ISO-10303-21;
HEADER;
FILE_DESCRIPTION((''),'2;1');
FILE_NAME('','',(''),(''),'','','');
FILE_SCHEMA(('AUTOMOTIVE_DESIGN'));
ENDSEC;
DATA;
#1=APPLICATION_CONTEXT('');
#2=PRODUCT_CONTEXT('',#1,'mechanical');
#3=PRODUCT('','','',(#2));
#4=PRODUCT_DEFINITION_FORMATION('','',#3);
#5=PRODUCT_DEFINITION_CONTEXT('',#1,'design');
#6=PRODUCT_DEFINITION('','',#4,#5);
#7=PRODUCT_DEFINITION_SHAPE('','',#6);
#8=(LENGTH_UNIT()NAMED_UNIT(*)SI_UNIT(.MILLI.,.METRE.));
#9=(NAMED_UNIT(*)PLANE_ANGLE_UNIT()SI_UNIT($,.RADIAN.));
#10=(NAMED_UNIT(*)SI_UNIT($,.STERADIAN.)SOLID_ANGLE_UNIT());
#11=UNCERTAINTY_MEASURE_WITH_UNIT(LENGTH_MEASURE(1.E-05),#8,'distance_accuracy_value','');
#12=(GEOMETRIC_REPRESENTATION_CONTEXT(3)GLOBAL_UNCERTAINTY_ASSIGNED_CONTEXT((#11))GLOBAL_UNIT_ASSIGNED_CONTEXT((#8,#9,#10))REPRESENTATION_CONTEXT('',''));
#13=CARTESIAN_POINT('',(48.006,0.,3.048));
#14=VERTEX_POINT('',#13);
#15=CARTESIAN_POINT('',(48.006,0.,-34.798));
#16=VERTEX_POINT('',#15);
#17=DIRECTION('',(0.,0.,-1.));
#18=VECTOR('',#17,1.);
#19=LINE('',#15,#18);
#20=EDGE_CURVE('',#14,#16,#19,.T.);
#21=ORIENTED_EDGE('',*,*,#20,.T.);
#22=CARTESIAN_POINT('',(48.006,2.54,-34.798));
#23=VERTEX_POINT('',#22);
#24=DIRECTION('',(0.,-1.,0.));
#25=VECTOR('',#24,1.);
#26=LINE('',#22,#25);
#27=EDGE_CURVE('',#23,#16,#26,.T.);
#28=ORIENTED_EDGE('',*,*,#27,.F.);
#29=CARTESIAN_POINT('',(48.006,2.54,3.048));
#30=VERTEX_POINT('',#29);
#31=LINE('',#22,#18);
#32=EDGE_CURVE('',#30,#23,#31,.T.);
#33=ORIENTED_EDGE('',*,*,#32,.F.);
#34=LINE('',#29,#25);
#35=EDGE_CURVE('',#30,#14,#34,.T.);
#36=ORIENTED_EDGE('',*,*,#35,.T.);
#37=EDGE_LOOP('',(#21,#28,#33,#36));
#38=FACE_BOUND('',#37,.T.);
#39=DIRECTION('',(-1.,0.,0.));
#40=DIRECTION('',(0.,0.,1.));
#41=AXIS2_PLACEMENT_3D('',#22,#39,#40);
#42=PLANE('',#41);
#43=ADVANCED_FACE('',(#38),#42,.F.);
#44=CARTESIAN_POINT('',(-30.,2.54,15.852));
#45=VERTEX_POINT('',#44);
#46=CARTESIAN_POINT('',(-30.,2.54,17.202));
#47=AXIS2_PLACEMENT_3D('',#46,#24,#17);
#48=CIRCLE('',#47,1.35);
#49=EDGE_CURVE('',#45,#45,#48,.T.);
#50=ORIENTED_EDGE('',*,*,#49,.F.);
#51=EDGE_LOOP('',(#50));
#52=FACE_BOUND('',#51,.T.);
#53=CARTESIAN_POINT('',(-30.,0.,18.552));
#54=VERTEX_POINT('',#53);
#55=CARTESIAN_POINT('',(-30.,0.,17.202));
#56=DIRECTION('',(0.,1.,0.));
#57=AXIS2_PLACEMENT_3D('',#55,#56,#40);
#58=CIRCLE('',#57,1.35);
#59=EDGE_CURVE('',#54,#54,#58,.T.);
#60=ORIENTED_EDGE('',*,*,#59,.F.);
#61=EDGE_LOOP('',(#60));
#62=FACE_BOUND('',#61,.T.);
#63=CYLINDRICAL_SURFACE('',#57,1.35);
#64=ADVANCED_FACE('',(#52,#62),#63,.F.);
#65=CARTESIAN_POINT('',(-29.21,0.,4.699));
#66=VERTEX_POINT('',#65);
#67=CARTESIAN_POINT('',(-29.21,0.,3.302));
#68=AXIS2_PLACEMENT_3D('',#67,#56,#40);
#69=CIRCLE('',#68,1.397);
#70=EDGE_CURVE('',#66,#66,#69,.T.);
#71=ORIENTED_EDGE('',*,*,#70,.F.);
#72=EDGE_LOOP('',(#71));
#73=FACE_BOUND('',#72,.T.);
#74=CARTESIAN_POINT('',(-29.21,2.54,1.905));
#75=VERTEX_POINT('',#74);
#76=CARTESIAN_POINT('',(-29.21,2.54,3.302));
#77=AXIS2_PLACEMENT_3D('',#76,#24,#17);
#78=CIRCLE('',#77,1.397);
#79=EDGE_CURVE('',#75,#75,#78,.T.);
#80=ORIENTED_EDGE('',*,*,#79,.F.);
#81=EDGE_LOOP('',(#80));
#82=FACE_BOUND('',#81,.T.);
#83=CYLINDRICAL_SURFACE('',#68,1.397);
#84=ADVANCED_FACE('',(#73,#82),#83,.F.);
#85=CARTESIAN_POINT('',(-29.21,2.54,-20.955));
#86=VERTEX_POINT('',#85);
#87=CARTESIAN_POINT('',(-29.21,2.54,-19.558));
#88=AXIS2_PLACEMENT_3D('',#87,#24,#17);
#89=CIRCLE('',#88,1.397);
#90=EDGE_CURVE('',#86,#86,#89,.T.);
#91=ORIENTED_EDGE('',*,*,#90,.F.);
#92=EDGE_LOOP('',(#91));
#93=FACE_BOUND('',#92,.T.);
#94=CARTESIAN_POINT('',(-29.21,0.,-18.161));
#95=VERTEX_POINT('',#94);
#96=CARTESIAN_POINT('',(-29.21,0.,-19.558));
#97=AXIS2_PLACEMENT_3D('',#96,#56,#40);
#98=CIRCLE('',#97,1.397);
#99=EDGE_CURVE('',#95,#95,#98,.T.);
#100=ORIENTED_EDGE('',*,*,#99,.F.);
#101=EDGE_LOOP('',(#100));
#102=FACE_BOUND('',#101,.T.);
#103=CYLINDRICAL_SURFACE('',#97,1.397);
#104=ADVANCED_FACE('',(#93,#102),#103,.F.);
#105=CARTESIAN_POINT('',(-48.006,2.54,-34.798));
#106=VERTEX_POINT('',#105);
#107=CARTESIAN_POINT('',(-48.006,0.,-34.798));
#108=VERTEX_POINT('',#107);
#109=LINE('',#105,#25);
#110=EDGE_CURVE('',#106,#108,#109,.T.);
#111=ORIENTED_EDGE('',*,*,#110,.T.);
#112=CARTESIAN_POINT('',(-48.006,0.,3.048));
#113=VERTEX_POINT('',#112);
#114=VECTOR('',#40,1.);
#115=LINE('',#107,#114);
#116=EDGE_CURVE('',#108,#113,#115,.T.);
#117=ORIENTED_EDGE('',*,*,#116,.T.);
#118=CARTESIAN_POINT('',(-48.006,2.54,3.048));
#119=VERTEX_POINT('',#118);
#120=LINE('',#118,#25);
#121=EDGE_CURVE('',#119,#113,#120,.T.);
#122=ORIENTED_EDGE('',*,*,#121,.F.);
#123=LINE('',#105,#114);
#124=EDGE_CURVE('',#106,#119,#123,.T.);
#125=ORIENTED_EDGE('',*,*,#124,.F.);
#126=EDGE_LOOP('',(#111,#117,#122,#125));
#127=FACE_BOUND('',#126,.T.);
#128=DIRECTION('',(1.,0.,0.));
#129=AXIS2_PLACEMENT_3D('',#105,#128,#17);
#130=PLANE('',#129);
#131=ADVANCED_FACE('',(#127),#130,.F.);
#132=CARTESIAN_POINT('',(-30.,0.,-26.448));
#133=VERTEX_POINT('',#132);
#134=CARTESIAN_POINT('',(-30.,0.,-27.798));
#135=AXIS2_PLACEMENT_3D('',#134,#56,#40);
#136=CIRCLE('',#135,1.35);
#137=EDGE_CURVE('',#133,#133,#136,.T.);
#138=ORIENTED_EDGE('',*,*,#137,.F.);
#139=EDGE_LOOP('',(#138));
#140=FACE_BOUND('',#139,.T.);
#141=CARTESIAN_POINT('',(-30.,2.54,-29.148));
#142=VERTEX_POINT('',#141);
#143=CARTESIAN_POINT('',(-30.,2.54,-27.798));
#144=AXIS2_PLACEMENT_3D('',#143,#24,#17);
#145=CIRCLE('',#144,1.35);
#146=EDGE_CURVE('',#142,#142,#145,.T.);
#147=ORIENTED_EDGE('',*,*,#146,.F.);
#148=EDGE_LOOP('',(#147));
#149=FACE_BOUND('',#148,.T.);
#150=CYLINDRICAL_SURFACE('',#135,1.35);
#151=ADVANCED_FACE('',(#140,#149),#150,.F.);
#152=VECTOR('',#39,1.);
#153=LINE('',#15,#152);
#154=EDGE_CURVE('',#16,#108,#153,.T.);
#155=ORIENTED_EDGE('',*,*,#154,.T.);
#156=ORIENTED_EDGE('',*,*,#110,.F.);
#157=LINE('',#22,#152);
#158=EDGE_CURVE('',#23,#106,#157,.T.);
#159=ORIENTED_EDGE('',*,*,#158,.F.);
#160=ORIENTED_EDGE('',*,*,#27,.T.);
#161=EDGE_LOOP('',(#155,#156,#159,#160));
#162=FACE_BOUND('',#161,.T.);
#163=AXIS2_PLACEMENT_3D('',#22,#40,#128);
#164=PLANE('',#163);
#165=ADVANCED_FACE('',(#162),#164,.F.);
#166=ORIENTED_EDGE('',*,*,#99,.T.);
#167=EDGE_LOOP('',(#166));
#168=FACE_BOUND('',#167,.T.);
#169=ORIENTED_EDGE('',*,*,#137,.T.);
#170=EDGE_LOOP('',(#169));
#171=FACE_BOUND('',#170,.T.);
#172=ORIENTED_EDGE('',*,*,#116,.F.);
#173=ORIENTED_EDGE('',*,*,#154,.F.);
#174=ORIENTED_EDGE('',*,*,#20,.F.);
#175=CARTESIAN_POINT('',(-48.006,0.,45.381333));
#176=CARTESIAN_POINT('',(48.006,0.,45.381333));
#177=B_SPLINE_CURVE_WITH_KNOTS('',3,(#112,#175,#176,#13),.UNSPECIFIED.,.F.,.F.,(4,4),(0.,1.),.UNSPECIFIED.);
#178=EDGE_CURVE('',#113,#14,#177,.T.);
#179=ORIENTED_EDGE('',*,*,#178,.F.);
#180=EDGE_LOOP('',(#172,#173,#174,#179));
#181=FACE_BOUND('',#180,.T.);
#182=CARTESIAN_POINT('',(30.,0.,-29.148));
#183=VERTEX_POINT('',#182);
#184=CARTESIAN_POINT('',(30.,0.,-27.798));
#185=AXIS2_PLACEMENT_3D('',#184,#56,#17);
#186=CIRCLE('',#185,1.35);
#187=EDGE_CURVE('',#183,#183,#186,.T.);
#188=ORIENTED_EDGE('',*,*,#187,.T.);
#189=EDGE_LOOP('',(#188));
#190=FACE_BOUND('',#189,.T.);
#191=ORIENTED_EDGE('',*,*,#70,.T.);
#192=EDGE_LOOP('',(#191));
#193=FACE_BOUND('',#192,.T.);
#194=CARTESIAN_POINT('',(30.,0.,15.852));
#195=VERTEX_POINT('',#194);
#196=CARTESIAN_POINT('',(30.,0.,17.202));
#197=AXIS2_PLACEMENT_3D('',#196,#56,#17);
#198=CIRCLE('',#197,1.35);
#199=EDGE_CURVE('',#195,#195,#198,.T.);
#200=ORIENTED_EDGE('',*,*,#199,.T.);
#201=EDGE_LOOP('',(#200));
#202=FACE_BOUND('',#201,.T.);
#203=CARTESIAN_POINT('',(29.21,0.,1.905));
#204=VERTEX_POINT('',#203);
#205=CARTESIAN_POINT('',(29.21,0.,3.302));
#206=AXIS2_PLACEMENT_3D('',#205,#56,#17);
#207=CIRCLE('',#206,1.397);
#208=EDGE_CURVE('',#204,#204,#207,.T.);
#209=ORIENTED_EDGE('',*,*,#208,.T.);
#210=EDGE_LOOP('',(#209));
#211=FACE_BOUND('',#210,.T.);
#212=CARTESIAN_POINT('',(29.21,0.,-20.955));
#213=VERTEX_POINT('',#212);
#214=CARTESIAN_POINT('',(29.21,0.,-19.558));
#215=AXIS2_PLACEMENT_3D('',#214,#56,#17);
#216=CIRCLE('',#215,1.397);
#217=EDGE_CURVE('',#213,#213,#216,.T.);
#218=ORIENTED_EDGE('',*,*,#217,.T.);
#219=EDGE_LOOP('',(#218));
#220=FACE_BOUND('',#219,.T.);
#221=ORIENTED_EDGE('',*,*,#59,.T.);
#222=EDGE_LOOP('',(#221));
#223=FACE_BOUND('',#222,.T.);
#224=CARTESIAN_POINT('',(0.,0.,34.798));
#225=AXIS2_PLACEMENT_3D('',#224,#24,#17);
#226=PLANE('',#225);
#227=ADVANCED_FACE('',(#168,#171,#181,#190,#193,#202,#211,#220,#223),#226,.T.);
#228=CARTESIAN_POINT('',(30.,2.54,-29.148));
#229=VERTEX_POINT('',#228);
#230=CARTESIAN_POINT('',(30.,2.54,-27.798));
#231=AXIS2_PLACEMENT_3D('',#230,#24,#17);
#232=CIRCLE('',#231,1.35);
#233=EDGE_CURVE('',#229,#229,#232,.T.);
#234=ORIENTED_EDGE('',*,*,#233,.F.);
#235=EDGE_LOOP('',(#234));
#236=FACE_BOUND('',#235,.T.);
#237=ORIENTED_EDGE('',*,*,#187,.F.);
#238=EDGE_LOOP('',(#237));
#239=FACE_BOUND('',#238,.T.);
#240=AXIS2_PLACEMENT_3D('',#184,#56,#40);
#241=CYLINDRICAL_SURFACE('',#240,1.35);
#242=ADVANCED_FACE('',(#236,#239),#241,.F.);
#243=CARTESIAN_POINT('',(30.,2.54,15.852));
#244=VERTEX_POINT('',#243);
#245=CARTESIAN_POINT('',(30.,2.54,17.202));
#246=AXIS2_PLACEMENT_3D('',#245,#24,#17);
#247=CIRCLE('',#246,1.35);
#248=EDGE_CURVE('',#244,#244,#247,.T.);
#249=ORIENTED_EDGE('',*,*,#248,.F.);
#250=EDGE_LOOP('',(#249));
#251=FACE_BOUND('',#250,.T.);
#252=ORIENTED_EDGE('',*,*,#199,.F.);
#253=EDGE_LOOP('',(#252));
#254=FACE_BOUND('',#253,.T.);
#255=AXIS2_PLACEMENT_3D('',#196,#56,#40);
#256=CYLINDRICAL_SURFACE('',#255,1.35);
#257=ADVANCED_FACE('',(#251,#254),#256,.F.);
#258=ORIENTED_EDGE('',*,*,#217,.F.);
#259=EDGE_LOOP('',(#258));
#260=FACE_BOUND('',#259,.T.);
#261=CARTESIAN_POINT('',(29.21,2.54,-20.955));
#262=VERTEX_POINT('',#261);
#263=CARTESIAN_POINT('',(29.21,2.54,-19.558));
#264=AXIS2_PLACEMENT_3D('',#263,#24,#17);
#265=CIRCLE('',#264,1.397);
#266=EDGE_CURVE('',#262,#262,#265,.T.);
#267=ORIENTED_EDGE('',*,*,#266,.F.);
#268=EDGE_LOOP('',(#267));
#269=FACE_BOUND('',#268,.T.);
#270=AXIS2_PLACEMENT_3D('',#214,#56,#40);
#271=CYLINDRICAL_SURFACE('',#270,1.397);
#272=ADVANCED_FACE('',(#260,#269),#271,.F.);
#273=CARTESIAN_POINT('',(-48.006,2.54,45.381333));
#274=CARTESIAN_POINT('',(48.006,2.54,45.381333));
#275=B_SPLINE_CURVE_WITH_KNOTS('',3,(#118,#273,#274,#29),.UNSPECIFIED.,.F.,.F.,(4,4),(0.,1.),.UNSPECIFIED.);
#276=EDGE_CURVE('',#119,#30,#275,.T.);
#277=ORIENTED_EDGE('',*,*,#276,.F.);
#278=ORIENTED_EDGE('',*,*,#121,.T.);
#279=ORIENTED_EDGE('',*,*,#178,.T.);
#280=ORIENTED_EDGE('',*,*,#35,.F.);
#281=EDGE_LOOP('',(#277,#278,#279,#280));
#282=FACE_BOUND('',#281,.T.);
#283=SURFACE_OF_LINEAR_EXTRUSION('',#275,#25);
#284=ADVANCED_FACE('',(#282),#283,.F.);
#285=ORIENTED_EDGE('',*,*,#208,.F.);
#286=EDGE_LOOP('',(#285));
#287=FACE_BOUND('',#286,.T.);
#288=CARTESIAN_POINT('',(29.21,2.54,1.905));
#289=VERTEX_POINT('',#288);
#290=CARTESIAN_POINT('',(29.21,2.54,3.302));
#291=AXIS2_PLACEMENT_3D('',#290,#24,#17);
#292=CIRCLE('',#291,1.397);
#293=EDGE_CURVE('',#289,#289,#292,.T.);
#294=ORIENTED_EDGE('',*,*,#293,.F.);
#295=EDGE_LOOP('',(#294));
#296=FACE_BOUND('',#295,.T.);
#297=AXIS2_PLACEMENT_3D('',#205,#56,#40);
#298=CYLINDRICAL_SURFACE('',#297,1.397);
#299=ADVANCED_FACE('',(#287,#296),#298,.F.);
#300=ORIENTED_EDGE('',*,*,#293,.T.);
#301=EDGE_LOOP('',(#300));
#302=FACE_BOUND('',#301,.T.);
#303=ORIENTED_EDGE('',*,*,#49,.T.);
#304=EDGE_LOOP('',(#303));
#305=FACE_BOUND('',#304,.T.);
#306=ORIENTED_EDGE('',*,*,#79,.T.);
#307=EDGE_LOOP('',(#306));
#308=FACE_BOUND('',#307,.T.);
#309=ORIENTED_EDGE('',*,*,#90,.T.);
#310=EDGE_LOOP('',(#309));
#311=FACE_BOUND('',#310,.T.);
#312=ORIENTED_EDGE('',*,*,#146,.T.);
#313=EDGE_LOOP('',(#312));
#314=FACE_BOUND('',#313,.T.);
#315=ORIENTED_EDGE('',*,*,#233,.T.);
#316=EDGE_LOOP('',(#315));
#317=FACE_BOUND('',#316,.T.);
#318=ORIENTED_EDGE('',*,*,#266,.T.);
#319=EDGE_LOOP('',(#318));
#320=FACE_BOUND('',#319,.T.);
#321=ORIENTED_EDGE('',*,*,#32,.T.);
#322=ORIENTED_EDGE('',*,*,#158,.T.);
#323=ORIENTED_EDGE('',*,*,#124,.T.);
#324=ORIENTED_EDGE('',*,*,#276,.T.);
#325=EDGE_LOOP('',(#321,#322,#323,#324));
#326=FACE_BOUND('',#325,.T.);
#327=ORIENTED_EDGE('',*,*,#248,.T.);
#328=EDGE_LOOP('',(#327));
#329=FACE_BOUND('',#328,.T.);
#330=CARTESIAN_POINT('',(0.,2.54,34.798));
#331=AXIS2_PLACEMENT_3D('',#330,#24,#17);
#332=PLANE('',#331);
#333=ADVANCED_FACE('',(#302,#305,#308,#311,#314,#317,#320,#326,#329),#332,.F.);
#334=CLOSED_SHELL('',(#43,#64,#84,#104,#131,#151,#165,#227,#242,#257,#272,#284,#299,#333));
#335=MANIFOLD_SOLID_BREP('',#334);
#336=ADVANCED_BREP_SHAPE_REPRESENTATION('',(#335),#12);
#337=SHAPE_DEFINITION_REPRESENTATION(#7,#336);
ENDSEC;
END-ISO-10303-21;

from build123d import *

# Parameters (mm, degrees)
BOSS_EXTRUDE1_DEPTH     = 2.54
CUT_EXTRUDE1_DEPTH      = 60.34583774
CUT_EXTRUDE1_DEPTH_BACK = 60.34583774
SKETCH3_R               = 1.35
SKETCH3_R_2             = 1.397


with BuildPart() as part:
    # Sketch2 → Boss-Extrude1 (new body)
    with BuildSketch(Plane(origin=(0, 0, 0), x_dir=(1, 0, 0), z_dir=(0, 1, 0))):
        with BuildLine():
            Line((48.006, 34.798), (-48.006, 34.798))
            Line((-48.006, 34.798), (-48.006, -3.048))
            add(Edge.make_bspline(
                [(-48.006, -3.048), (-48.006, -45.381333333), (48.006, -45.381333333), (48.006, -3.048)],
                knots=[0, 0, 0, 0, 1, 1, 1, 1], degree=3))
            Line((48.006, -3.048), (48.006, 34.798))
        make_face()
    extrude(amount=BOSS_EXTRUDE1_DEPTH)

    # Sketch3 → Cut-Extrude1 (cut, two sides: drawn at the far end of the back side and taken through both)
    with BuildSketch(Plane(origin=(0, 2.54, 0), x_dir=(1, 0, 0), z_dir=(0, 1, 0)).offset(-CUT_EXTRUDE1_DEPTH_BACK)):
        with Locations(Location((-30, 27.798, 0), (0, 0, 270))):
            Circle(SKETCH3_R)
        with Locations(Location((-30, -17.202, 0), (0, 0, 270))):
            Circle(SKETCH3_R)
        with Locations(Location((30, -17.202, 0), (0, 0, 90))):
            Circle(SKETCH3_R)
        with Locations(Location((30, 27.798, 0), (0, 0, 90))):
            Circle(SKETCH3_R)
        with Locations(Location((-29.21, 19.558, 0), (0, 0, 270))):
            Circle(SKETCH3_R_2)
        with Locations(Location((-29.21, -3.302, 0), (0, 0, 270))):
            Circle(SKETCH3_R_2)
        with Locations(Location((29.21, -3.302, 0), (0, 0, 90))):
            Circle(SKETCH3_R_2)
        with Locations(Location((29.21, 19.558, 0), (0, 0, 90))):
            Circle(SKETCH3_R_2)
    extrude(amount=CUT_EXTRUDE1_DEPTH + CUT_EXTRUDE1_DEPTH_BACK, mode=Mode.SUBTRACT)


solid = part.part
